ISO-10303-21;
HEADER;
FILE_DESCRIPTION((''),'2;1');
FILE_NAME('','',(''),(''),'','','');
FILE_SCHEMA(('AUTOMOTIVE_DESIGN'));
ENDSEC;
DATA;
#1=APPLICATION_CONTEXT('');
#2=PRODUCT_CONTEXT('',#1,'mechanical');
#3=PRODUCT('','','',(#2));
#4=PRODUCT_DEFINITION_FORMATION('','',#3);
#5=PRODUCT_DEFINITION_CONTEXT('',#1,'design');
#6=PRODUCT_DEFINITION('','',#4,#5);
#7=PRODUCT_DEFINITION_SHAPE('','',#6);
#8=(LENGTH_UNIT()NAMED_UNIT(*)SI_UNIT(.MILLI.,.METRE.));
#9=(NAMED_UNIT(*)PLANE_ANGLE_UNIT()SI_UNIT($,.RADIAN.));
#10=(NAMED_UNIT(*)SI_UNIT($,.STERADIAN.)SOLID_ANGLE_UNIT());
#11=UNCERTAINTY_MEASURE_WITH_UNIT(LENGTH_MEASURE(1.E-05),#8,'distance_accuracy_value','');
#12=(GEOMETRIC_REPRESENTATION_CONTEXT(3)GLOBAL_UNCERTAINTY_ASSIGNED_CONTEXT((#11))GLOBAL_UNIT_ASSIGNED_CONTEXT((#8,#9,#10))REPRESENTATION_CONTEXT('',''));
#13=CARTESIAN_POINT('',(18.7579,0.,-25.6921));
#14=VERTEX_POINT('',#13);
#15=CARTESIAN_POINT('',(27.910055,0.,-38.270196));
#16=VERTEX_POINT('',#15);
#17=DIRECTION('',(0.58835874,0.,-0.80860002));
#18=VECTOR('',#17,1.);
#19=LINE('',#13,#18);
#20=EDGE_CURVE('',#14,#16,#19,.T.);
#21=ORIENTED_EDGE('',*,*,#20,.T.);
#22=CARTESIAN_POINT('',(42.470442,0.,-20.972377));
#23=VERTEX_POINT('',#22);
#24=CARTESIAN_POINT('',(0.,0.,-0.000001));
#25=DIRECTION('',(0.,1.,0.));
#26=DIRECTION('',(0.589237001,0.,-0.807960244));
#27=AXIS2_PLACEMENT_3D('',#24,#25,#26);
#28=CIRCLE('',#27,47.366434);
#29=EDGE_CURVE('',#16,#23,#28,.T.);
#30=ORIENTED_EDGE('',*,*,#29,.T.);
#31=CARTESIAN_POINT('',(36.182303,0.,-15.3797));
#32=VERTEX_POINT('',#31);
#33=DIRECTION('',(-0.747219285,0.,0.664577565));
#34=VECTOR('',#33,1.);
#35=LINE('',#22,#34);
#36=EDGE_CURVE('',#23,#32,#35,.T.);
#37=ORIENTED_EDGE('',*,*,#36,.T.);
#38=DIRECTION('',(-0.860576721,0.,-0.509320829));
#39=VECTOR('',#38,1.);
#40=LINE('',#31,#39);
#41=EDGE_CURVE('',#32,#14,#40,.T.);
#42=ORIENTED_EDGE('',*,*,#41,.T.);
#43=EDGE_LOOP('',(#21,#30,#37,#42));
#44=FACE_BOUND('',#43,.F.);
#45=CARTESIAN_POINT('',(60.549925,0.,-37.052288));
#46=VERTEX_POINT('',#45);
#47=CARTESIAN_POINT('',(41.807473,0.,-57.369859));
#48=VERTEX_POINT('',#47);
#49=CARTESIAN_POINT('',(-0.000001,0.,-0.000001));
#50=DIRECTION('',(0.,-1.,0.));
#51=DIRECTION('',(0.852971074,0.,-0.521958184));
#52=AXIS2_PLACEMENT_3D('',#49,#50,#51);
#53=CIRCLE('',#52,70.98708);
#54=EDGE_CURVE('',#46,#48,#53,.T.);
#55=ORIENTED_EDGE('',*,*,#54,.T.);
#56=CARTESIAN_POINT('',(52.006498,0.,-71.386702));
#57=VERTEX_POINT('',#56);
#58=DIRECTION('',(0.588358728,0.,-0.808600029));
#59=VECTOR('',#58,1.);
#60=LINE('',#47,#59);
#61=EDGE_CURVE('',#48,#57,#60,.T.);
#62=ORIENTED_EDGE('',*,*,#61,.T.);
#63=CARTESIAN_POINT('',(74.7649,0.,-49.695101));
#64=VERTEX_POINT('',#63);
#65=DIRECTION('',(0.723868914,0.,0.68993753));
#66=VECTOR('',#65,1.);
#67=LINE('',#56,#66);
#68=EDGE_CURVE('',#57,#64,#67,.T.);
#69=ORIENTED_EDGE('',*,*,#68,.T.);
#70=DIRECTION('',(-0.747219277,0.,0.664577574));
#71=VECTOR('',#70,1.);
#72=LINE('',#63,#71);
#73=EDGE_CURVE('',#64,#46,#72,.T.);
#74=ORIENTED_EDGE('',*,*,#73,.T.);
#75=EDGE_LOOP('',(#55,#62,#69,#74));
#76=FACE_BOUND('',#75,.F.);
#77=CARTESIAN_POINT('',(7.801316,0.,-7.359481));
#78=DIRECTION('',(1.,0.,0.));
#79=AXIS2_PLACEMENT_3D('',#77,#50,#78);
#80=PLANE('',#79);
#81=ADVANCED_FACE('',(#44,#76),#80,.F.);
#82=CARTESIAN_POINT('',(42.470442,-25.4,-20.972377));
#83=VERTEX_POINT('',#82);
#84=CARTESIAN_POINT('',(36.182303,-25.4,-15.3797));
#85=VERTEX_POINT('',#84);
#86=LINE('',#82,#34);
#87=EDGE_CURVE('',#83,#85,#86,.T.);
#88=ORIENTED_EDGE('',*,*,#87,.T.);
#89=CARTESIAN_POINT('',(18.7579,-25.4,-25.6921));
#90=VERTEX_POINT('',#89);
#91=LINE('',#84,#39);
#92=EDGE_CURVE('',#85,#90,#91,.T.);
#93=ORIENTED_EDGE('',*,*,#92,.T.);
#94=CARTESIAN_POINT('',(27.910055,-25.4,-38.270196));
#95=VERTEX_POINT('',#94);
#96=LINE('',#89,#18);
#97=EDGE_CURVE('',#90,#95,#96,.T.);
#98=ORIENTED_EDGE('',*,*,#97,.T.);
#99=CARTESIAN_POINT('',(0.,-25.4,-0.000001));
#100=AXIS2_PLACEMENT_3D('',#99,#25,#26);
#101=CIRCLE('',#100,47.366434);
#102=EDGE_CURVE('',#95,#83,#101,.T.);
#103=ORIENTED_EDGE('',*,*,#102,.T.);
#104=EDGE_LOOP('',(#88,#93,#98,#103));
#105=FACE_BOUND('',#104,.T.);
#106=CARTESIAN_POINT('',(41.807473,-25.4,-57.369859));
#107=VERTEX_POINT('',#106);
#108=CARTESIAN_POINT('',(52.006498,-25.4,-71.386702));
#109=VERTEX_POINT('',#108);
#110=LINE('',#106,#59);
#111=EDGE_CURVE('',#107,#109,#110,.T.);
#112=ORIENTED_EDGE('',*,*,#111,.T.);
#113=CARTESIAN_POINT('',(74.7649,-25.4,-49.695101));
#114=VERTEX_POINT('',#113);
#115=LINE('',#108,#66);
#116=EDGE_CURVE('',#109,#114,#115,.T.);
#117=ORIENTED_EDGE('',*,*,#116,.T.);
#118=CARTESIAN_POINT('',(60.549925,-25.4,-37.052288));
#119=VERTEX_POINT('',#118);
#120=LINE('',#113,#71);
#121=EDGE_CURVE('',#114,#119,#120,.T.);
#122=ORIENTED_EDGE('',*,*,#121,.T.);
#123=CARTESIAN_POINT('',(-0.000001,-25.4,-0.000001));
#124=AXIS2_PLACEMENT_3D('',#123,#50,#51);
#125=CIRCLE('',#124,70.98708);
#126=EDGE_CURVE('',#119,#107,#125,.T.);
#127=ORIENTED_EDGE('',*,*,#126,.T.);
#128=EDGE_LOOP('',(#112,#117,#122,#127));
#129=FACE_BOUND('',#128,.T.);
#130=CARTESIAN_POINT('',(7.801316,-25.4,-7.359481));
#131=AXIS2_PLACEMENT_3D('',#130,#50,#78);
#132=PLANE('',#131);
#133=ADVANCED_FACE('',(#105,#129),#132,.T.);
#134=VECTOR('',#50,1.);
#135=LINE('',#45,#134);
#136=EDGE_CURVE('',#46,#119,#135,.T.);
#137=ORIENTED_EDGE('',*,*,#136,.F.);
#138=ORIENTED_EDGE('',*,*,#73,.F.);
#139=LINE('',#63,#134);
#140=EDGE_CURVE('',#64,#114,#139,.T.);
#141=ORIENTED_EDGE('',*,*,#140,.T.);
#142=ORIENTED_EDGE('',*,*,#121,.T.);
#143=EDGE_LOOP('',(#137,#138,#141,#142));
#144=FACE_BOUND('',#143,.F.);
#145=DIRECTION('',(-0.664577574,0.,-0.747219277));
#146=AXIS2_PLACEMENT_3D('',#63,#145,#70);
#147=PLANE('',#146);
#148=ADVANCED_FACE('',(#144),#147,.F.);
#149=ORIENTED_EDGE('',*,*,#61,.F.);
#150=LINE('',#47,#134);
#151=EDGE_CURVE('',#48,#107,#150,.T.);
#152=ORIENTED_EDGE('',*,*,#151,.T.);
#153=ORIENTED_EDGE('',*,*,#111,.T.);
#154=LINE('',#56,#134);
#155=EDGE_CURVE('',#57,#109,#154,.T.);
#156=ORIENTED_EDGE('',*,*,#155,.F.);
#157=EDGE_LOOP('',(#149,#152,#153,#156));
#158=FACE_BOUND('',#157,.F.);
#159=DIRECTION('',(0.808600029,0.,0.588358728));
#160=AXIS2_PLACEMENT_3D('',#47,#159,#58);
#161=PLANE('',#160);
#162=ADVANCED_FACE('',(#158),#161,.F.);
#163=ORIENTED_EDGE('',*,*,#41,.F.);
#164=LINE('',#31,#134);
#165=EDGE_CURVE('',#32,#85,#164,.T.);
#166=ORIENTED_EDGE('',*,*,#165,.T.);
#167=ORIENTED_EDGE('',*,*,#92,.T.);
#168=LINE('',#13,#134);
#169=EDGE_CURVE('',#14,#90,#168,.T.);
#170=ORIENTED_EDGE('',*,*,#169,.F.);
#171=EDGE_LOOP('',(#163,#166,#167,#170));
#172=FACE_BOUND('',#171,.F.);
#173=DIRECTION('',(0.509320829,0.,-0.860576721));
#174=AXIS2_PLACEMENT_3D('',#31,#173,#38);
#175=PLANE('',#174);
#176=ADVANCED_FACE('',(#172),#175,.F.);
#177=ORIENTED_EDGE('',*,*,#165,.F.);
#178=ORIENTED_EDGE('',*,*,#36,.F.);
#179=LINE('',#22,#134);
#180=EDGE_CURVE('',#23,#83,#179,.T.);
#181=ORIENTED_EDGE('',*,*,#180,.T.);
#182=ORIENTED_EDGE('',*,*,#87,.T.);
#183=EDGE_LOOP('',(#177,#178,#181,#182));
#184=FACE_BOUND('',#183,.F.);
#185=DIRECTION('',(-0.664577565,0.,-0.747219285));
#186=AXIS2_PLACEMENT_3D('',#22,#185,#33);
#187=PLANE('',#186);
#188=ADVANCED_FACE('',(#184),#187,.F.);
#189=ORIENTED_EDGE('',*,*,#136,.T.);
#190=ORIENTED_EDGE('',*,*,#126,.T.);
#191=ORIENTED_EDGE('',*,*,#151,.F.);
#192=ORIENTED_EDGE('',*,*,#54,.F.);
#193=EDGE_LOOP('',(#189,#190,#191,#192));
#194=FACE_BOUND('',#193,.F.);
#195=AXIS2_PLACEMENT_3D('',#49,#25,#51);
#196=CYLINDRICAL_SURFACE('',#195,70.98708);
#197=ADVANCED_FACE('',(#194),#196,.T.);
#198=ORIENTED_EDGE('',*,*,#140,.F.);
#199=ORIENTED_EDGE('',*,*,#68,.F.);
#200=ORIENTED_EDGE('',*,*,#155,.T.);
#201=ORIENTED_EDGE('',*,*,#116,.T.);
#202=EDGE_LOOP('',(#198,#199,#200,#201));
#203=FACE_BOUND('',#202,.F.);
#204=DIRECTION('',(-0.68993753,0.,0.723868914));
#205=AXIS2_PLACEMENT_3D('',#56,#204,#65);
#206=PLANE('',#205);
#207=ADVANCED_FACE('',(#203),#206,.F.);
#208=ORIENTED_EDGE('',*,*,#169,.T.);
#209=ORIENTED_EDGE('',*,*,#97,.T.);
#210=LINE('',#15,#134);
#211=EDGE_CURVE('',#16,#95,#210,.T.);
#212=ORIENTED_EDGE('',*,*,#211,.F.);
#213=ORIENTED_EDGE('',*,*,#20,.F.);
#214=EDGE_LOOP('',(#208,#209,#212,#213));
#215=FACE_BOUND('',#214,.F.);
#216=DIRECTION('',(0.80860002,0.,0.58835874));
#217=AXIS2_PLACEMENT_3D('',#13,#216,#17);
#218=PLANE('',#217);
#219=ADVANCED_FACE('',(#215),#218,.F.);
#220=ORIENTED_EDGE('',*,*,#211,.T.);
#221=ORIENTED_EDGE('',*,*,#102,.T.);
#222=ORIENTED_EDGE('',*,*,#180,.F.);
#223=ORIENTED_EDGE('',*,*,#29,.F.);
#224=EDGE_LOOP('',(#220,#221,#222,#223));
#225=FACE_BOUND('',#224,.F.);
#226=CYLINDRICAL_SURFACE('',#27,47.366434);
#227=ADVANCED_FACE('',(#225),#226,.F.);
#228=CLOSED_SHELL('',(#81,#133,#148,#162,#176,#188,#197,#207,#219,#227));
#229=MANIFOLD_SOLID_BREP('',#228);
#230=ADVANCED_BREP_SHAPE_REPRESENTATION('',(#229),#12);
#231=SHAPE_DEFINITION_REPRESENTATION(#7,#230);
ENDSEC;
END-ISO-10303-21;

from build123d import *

# Parameters (mm, degrees)
F1_DEPTH = 25.4


with BuildPart() as f1:
    # F0 (on Front) → F1 (new body)
    with BuildSketch(Plane.XZ):
        with BuildLine():
            Line((74.7649, -49.695101), (60.549925, -37.052288))
            ThreePointArc((60.549925, -37.052288), (-52.1772, 48.132165), (41.807473, -57.369859))
            Line((41.807473, -57.369859), (52.006498, -71.386702))
            Line((52.006498, -71.386702), (74.7649, -49.695101))
        make_face()
        with BuildLine():
            ThreePointArc((27.910055, -38.270196), (-36.237511, 30.502817), (42.470442, -20.972377))
            Line((42.470442, -20.972377), (36.182303, -15.3797))
            Line((36.182303, -15.3797), (18.7579, -25.6921))
            Line((18.7579, -25.6921), (27.910055, -38.270196))
        make_face(mode=Mode.SUBTRACT)
    extrude(amount=F1_DEPTH)


solid = f1.part
